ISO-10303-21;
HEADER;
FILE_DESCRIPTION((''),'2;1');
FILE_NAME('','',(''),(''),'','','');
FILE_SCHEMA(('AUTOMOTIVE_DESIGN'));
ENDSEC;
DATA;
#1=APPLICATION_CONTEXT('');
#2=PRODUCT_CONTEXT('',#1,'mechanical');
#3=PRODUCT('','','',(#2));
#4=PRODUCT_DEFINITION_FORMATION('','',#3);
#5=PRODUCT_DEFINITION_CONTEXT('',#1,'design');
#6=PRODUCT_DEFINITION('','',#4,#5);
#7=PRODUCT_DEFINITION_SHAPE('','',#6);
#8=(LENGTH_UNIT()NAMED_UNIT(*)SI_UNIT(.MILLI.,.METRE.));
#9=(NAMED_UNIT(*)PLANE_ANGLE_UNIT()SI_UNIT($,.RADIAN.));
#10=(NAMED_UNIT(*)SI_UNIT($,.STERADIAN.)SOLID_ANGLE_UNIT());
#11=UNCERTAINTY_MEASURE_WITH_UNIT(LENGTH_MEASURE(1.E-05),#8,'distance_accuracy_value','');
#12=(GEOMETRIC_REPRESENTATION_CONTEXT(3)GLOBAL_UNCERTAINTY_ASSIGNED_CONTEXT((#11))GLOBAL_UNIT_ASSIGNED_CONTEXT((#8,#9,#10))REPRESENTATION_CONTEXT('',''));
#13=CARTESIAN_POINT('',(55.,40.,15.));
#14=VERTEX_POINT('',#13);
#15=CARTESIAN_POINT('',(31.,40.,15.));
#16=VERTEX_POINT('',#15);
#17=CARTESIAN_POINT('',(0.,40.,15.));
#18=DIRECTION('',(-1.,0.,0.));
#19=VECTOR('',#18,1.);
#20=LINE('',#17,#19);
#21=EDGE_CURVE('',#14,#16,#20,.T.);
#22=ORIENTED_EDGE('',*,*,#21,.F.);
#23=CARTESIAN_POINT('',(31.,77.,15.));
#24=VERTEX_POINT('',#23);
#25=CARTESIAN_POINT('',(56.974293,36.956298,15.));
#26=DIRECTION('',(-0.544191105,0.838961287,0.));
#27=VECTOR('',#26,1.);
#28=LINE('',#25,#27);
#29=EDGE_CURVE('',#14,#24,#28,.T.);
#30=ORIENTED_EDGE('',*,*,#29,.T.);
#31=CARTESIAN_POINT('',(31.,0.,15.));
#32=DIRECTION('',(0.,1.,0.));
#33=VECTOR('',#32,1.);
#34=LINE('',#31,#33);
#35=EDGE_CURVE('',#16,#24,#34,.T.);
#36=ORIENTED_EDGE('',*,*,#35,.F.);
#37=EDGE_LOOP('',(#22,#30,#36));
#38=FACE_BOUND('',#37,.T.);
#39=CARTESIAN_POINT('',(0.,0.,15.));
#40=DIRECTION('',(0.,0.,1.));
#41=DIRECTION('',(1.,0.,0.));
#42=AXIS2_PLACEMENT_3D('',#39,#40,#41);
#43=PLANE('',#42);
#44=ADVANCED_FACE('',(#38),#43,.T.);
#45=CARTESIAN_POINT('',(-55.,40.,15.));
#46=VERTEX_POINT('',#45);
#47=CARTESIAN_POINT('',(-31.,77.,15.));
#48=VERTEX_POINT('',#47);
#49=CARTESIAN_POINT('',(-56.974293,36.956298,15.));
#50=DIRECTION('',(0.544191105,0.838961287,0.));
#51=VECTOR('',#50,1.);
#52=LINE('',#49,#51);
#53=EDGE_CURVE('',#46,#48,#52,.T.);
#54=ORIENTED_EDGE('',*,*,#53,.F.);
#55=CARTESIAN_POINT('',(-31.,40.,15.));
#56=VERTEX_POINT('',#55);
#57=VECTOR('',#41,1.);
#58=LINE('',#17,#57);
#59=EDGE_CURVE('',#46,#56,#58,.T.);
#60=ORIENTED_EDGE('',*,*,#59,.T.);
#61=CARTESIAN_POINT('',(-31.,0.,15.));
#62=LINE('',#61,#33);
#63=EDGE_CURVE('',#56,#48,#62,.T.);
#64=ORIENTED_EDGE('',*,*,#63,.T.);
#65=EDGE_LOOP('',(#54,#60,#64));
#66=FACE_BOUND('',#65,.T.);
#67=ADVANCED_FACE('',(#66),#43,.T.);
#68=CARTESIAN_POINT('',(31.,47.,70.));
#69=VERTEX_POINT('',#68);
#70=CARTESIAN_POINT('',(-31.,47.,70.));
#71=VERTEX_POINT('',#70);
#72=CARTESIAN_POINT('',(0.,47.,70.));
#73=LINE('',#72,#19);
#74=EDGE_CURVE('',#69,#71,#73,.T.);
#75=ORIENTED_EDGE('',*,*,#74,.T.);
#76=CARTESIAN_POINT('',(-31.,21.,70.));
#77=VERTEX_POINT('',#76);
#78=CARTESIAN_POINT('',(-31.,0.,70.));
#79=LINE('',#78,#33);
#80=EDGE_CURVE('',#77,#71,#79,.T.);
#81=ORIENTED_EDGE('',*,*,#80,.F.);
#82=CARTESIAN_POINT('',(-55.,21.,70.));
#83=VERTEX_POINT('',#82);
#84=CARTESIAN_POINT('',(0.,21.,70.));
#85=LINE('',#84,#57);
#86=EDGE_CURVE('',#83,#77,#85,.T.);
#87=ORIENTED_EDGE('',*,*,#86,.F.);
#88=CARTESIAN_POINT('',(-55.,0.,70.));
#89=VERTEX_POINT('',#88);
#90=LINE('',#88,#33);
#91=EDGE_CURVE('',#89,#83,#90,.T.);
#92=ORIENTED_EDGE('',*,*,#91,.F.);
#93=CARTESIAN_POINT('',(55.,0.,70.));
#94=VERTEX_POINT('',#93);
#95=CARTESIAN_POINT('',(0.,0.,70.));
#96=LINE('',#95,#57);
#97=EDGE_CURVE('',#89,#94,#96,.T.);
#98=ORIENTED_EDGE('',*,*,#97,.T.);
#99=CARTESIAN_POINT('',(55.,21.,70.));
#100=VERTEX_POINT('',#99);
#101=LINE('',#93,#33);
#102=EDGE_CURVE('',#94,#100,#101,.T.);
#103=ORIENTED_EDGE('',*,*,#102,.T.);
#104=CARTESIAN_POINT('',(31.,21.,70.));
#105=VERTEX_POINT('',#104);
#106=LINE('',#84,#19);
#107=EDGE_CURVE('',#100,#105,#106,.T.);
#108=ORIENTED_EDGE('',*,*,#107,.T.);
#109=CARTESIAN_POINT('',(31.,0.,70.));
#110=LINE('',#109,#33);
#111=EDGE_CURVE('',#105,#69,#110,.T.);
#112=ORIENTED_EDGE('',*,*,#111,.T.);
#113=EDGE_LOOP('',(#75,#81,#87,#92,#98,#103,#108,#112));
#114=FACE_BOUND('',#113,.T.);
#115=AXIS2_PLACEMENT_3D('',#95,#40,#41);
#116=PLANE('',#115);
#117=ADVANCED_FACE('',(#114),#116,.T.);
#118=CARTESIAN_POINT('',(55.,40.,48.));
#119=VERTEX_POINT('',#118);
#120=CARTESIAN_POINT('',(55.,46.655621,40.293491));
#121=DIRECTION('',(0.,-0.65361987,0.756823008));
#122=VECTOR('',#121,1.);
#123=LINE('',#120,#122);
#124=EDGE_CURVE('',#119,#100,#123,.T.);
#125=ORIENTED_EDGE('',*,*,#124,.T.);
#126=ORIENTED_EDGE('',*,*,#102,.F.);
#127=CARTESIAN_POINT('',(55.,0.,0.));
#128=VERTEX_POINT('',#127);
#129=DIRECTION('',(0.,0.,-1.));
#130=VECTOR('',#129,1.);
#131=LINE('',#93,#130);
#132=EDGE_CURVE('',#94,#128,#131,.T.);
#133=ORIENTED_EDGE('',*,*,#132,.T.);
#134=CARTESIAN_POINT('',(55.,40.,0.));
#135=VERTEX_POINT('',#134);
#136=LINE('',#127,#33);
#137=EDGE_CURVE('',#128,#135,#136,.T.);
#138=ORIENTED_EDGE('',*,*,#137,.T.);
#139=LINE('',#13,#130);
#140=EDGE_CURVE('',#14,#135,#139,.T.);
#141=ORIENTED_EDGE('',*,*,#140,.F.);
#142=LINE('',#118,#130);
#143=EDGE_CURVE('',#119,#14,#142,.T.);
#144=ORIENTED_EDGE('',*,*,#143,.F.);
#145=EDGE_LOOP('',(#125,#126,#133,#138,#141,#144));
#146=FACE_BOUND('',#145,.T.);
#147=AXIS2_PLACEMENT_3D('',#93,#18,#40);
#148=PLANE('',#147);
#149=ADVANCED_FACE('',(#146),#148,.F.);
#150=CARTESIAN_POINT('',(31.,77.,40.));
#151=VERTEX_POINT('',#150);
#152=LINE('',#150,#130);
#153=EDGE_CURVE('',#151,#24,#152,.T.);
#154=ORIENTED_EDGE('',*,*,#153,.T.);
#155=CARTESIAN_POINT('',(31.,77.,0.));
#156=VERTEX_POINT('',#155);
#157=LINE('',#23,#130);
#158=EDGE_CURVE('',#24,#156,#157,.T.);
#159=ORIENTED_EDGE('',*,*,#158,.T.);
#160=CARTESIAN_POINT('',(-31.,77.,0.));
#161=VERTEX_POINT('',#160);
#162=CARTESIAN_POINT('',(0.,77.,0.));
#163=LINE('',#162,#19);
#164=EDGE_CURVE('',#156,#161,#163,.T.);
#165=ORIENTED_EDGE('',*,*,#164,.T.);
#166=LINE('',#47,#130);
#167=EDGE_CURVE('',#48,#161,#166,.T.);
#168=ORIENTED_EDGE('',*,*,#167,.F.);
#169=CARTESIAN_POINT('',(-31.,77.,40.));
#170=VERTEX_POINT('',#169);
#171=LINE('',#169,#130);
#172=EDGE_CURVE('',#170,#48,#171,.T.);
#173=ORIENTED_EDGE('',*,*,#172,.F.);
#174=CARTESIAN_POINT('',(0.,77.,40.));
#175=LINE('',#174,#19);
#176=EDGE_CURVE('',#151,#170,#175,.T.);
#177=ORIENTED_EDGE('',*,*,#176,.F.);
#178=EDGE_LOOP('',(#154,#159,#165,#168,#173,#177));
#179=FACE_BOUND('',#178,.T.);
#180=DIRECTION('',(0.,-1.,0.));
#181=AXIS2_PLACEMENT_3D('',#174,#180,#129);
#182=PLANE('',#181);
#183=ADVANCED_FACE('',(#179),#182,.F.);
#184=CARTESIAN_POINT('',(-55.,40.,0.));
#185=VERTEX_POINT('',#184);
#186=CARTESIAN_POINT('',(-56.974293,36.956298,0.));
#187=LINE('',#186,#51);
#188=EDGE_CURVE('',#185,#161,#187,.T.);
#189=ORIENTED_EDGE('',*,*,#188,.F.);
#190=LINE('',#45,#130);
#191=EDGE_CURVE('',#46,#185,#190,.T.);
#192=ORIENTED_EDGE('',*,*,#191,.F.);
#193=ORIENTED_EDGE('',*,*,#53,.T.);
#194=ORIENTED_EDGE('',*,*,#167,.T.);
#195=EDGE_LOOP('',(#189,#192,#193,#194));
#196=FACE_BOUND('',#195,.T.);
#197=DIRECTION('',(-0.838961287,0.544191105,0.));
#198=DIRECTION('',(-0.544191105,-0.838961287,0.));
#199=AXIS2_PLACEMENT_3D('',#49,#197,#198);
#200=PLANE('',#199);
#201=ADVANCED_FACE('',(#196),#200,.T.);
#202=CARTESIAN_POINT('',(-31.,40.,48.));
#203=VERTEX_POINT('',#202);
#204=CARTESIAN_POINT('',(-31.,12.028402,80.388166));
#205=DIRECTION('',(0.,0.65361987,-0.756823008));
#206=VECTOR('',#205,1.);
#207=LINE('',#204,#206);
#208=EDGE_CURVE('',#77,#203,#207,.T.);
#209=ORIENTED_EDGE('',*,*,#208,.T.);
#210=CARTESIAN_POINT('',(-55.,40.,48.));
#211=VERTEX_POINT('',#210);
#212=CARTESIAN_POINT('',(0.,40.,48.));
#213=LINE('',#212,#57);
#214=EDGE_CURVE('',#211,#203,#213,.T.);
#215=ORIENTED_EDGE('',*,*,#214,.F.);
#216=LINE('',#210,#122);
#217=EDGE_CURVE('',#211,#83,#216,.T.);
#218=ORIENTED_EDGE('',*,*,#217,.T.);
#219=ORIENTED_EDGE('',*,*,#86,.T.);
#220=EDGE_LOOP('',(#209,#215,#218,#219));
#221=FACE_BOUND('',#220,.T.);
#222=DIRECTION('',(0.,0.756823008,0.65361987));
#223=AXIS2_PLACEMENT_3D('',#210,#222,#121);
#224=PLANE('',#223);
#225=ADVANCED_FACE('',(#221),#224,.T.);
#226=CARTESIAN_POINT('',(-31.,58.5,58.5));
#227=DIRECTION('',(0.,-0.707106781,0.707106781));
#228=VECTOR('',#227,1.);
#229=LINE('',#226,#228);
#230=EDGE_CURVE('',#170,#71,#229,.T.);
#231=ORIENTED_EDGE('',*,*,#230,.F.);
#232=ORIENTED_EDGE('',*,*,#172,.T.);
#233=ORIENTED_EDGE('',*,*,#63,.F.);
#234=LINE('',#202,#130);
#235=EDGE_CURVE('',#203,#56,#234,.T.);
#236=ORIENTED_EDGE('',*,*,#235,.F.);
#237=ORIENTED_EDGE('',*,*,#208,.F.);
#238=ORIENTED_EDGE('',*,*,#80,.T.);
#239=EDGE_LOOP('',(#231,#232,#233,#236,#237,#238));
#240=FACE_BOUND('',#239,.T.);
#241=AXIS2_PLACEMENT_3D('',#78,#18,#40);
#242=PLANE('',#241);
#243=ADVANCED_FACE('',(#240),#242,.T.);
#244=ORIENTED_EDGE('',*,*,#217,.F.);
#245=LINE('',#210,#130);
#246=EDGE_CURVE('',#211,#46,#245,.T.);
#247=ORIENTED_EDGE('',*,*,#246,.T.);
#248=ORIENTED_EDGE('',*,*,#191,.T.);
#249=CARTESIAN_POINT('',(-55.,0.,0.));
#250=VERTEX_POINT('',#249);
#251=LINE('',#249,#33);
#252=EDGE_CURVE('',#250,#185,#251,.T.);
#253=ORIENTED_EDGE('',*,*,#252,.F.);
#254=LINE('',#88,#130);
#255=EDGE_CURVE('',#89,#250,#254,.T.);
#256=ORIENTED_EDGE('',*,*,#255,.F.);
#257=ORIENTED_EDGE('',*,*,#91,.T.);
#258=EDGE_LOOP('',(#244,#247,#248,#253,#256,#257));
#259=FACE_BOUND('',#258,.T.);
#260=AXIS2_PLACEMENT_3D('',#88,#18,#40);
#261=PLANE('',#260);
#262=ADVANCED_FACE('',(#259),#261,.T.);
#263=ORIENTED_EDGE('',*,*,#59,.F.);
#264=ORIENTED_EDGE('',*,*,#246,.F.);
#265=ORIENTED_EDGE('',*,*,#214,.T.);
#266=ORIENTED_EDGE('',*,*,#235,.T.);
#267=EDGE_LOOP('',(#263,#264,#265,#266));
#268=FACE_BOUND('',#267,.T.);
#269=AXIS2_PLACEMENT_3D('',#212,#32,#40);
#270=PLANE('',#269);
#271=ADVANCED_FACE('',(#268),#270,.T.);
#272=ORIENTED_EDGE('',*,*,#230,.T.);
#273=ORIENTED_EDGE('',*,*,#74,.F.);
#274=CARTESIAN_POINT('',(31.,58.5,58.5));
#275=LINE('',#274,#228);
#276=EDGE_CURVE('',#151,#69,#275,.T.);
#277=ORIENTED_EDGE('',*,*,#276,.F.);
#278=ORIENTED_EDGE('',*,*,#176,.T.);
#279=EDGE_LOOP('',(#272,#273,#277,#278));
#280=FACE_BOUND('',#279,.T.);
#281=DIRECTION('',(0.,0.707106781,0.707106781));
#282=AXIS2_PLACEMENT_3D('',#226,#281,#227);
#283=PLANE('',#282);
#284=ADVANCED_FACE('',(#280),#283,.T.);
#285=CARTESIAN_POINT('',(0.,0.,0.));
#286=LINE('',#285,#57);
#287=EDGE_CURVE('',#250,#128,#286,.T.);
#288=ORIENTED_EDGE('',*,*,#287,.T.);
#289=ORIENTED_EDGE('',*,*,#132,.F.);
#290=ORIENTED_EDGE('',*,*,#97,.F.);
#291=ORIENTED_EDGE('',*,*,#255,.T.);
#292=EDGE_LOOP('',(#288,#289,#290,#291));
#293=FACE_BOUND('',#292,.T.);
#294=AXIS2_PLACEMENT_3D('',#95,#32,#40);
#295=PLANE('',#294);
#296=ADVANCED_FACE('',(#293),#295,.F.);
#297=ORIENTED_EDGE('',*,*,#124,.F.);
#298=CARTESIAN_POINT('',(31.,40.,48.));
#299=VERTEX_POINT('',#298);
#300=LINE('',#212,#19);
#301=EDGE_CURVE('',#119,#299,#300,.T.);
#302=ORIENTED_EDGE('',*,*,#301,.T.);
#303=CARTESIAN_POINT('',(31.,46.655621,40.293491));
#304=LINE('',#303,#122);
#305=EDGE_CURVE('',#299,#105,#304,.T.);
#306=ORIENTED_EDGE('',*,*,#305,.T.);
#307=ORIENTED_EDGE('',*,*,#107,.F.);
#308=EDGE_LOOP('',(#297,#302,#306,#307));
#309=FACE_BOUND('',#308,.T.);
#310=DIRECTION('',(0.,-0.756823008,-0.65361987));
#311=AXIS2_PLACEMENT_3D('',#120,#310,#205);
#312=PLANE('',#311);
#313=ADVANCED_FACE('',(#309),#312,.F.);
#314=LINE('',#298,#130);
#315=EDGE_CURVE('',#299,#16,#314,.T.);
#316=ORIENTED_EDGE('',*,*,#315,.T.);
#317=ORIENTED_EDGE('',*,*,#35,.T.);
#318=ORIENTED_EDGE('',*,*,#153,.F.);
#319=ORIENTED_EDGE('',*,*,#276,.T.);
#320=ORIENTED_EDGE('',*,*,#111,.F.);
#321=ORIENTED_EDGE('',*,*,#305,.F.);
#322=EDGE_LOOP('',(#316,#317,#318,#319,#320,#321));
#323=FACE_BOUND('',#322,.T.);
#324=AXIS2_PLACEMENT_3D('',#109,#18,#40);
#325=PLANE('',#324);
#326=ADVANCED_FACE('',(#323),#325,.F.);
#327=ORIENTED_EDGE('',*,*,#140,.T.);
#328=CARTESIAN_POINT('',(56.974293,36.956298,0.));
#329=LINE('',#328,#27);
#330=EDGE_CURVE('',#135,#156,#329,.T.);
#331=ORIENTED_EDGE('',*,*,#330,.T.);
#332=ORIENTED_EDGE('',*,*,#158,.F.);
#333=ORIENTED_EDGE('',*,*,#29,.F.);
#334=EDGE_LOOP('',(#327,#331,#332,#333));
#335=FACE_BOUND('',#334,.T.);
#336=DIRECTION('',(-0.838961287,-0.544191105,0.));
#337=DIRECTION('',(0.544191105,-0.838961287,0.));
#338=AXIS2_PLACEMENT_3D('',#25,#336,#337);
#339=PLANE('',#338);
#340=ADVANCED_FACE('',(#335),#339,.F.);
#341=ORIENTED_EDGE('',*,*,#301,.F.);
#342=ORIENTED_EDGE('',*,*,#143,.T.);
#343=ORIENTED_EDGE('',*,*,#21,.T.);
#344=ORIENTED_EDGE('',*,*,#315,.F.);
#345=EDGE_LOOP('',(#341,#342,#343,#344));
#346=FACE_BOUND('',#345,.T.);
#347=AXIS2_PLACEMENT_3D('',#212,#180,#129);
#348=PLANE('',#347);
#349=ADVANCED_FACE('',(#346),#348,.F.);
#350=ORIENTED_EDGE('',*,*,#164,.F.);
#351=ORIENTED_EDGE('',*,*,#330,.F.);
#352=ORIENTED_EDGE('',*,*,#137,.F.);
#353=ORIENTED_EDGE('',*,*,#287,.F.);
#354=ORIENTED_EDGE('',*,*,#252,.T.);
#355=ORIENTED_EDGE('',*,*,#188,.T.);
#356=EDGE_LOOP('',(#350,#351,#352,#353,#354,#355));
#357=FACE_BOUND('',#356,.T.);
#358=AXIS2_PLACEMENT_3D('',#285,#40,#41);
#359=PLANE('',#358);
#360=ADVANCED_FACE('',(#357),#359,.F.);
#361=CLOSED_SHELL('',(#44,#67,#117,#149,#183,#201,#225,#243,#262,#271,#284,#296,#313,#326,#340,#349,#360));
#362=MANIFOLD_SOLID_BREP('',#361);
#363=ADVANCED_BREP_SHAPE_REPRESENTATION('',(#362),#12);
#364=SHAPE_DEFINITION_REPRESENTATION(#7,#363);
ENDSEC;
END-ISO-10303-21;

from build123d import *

# Parameters (mm, degrees)
EXTRUDE_4_DEPTH  = 70
SKETCH_4_3_W     = 24
SKETCH_4_3_H     = 19
EXTRUDE_5_DEPTH  = 48
SKETCH_4_4_W     = 31
SKETCH_4_4_H     = 30
EXTRUDE_6_DEPTH  = 40
EXTRUDE_7_DEPTH  = 15
EXTRUDE_8_DEPTH  = 62
EXTRUDE_9_DEPTH  = 24
EXTRUDE_10_DEPTH = 86


with BuildPart() as part:
    # 스케치4 → 보스-돌출4 (new body)
    with BuildSketch(Plane.XY):
        Polygon((-55, 0), (0, 0), (0, 47), (-31, 47), (-31, 40), (-31, 21), (-55, 21), align=None)
        Polygon((0, 47), (0, 0), (55, 0), (55, 21), (31, 21), (31, 40), (31, 47), align=None)
    extrude(amount=EXTRUDE_4_DEPTH)

    # 스케치4<3> → 보스-돌출5 (add)
    with BuildSketch(Plane.XY):
        with Locations((43, 30.5)):
            Rectangle(SKETCH_4_3_W, SKETCH_4_3_H)
        with Locations((-43, 30.5)):
            Rectangle(SKETCH_4_3_W, SKETCH_4_3_H)
    extrude(amount=EXTRUDE_5_DEPTH)

    # 스케치4<4> → 보스-돌출6 (add)
    with BuildSketch(Plane.XY):
        with Locations((-15.5, 62)):
            Rectangle(SKETCH_4_4_W, SKETCH_4_4_H)
        with Locations((15.5, 62)):
            Rectangle(SKETCH_4_4_W, SKETCH_4_4_H)
    extrude(amount=EXTRUDE_6_DEPTH)

    # 스케치4<5> → 보스-돌출7 (add)
    with BuildSketch(Plane.XY):
        Polygon((31, 40), (55, 40), (31, 77), (31, 47), align=None)
        Polygon((-31, 77), (-55, 40), (-31, 40), (-31, 47), align=None)
    extrude(amount=EXTRUDE_7_DEPTH)

    # 스케치6 → 보스-돌출8 (add)
    with BuildSketch(Plane(origin=(31, 0, 0), x_dir=(0, 0, -1), z_dir=(1, 0, 0))):
        Polygon((-40, 77), (-70, 47), (-40, 47), align=None)
    extrude(amount=-EXTRUDE_8_DEPTH)

    # 스케치6<3> → 보스-돌출9 (add)
    with BuildSketch(Plane(origin=(31, 0, 0), x_dir=(0, 0, -1), z_dir=(1, 0, 0))):
        Polygon((-48, 40), (-70, 21), (-48, 21), align=None)
    extrude(amount=EXTRUDE_9_DEPTH)

    # 스케치6<4> → 보스-돌출10 (add)
    with BuildSketch(Plane(origin=(31, 0, 0), x_dir=(0, 0, -1), z_dir=(1, 0, 0))):
        Polygon((-48, 40), (-70, 21), (-48, 21), align=None)
    extrude(amount=-EXTRUDE_10_DEPTH)


solid = part.part
